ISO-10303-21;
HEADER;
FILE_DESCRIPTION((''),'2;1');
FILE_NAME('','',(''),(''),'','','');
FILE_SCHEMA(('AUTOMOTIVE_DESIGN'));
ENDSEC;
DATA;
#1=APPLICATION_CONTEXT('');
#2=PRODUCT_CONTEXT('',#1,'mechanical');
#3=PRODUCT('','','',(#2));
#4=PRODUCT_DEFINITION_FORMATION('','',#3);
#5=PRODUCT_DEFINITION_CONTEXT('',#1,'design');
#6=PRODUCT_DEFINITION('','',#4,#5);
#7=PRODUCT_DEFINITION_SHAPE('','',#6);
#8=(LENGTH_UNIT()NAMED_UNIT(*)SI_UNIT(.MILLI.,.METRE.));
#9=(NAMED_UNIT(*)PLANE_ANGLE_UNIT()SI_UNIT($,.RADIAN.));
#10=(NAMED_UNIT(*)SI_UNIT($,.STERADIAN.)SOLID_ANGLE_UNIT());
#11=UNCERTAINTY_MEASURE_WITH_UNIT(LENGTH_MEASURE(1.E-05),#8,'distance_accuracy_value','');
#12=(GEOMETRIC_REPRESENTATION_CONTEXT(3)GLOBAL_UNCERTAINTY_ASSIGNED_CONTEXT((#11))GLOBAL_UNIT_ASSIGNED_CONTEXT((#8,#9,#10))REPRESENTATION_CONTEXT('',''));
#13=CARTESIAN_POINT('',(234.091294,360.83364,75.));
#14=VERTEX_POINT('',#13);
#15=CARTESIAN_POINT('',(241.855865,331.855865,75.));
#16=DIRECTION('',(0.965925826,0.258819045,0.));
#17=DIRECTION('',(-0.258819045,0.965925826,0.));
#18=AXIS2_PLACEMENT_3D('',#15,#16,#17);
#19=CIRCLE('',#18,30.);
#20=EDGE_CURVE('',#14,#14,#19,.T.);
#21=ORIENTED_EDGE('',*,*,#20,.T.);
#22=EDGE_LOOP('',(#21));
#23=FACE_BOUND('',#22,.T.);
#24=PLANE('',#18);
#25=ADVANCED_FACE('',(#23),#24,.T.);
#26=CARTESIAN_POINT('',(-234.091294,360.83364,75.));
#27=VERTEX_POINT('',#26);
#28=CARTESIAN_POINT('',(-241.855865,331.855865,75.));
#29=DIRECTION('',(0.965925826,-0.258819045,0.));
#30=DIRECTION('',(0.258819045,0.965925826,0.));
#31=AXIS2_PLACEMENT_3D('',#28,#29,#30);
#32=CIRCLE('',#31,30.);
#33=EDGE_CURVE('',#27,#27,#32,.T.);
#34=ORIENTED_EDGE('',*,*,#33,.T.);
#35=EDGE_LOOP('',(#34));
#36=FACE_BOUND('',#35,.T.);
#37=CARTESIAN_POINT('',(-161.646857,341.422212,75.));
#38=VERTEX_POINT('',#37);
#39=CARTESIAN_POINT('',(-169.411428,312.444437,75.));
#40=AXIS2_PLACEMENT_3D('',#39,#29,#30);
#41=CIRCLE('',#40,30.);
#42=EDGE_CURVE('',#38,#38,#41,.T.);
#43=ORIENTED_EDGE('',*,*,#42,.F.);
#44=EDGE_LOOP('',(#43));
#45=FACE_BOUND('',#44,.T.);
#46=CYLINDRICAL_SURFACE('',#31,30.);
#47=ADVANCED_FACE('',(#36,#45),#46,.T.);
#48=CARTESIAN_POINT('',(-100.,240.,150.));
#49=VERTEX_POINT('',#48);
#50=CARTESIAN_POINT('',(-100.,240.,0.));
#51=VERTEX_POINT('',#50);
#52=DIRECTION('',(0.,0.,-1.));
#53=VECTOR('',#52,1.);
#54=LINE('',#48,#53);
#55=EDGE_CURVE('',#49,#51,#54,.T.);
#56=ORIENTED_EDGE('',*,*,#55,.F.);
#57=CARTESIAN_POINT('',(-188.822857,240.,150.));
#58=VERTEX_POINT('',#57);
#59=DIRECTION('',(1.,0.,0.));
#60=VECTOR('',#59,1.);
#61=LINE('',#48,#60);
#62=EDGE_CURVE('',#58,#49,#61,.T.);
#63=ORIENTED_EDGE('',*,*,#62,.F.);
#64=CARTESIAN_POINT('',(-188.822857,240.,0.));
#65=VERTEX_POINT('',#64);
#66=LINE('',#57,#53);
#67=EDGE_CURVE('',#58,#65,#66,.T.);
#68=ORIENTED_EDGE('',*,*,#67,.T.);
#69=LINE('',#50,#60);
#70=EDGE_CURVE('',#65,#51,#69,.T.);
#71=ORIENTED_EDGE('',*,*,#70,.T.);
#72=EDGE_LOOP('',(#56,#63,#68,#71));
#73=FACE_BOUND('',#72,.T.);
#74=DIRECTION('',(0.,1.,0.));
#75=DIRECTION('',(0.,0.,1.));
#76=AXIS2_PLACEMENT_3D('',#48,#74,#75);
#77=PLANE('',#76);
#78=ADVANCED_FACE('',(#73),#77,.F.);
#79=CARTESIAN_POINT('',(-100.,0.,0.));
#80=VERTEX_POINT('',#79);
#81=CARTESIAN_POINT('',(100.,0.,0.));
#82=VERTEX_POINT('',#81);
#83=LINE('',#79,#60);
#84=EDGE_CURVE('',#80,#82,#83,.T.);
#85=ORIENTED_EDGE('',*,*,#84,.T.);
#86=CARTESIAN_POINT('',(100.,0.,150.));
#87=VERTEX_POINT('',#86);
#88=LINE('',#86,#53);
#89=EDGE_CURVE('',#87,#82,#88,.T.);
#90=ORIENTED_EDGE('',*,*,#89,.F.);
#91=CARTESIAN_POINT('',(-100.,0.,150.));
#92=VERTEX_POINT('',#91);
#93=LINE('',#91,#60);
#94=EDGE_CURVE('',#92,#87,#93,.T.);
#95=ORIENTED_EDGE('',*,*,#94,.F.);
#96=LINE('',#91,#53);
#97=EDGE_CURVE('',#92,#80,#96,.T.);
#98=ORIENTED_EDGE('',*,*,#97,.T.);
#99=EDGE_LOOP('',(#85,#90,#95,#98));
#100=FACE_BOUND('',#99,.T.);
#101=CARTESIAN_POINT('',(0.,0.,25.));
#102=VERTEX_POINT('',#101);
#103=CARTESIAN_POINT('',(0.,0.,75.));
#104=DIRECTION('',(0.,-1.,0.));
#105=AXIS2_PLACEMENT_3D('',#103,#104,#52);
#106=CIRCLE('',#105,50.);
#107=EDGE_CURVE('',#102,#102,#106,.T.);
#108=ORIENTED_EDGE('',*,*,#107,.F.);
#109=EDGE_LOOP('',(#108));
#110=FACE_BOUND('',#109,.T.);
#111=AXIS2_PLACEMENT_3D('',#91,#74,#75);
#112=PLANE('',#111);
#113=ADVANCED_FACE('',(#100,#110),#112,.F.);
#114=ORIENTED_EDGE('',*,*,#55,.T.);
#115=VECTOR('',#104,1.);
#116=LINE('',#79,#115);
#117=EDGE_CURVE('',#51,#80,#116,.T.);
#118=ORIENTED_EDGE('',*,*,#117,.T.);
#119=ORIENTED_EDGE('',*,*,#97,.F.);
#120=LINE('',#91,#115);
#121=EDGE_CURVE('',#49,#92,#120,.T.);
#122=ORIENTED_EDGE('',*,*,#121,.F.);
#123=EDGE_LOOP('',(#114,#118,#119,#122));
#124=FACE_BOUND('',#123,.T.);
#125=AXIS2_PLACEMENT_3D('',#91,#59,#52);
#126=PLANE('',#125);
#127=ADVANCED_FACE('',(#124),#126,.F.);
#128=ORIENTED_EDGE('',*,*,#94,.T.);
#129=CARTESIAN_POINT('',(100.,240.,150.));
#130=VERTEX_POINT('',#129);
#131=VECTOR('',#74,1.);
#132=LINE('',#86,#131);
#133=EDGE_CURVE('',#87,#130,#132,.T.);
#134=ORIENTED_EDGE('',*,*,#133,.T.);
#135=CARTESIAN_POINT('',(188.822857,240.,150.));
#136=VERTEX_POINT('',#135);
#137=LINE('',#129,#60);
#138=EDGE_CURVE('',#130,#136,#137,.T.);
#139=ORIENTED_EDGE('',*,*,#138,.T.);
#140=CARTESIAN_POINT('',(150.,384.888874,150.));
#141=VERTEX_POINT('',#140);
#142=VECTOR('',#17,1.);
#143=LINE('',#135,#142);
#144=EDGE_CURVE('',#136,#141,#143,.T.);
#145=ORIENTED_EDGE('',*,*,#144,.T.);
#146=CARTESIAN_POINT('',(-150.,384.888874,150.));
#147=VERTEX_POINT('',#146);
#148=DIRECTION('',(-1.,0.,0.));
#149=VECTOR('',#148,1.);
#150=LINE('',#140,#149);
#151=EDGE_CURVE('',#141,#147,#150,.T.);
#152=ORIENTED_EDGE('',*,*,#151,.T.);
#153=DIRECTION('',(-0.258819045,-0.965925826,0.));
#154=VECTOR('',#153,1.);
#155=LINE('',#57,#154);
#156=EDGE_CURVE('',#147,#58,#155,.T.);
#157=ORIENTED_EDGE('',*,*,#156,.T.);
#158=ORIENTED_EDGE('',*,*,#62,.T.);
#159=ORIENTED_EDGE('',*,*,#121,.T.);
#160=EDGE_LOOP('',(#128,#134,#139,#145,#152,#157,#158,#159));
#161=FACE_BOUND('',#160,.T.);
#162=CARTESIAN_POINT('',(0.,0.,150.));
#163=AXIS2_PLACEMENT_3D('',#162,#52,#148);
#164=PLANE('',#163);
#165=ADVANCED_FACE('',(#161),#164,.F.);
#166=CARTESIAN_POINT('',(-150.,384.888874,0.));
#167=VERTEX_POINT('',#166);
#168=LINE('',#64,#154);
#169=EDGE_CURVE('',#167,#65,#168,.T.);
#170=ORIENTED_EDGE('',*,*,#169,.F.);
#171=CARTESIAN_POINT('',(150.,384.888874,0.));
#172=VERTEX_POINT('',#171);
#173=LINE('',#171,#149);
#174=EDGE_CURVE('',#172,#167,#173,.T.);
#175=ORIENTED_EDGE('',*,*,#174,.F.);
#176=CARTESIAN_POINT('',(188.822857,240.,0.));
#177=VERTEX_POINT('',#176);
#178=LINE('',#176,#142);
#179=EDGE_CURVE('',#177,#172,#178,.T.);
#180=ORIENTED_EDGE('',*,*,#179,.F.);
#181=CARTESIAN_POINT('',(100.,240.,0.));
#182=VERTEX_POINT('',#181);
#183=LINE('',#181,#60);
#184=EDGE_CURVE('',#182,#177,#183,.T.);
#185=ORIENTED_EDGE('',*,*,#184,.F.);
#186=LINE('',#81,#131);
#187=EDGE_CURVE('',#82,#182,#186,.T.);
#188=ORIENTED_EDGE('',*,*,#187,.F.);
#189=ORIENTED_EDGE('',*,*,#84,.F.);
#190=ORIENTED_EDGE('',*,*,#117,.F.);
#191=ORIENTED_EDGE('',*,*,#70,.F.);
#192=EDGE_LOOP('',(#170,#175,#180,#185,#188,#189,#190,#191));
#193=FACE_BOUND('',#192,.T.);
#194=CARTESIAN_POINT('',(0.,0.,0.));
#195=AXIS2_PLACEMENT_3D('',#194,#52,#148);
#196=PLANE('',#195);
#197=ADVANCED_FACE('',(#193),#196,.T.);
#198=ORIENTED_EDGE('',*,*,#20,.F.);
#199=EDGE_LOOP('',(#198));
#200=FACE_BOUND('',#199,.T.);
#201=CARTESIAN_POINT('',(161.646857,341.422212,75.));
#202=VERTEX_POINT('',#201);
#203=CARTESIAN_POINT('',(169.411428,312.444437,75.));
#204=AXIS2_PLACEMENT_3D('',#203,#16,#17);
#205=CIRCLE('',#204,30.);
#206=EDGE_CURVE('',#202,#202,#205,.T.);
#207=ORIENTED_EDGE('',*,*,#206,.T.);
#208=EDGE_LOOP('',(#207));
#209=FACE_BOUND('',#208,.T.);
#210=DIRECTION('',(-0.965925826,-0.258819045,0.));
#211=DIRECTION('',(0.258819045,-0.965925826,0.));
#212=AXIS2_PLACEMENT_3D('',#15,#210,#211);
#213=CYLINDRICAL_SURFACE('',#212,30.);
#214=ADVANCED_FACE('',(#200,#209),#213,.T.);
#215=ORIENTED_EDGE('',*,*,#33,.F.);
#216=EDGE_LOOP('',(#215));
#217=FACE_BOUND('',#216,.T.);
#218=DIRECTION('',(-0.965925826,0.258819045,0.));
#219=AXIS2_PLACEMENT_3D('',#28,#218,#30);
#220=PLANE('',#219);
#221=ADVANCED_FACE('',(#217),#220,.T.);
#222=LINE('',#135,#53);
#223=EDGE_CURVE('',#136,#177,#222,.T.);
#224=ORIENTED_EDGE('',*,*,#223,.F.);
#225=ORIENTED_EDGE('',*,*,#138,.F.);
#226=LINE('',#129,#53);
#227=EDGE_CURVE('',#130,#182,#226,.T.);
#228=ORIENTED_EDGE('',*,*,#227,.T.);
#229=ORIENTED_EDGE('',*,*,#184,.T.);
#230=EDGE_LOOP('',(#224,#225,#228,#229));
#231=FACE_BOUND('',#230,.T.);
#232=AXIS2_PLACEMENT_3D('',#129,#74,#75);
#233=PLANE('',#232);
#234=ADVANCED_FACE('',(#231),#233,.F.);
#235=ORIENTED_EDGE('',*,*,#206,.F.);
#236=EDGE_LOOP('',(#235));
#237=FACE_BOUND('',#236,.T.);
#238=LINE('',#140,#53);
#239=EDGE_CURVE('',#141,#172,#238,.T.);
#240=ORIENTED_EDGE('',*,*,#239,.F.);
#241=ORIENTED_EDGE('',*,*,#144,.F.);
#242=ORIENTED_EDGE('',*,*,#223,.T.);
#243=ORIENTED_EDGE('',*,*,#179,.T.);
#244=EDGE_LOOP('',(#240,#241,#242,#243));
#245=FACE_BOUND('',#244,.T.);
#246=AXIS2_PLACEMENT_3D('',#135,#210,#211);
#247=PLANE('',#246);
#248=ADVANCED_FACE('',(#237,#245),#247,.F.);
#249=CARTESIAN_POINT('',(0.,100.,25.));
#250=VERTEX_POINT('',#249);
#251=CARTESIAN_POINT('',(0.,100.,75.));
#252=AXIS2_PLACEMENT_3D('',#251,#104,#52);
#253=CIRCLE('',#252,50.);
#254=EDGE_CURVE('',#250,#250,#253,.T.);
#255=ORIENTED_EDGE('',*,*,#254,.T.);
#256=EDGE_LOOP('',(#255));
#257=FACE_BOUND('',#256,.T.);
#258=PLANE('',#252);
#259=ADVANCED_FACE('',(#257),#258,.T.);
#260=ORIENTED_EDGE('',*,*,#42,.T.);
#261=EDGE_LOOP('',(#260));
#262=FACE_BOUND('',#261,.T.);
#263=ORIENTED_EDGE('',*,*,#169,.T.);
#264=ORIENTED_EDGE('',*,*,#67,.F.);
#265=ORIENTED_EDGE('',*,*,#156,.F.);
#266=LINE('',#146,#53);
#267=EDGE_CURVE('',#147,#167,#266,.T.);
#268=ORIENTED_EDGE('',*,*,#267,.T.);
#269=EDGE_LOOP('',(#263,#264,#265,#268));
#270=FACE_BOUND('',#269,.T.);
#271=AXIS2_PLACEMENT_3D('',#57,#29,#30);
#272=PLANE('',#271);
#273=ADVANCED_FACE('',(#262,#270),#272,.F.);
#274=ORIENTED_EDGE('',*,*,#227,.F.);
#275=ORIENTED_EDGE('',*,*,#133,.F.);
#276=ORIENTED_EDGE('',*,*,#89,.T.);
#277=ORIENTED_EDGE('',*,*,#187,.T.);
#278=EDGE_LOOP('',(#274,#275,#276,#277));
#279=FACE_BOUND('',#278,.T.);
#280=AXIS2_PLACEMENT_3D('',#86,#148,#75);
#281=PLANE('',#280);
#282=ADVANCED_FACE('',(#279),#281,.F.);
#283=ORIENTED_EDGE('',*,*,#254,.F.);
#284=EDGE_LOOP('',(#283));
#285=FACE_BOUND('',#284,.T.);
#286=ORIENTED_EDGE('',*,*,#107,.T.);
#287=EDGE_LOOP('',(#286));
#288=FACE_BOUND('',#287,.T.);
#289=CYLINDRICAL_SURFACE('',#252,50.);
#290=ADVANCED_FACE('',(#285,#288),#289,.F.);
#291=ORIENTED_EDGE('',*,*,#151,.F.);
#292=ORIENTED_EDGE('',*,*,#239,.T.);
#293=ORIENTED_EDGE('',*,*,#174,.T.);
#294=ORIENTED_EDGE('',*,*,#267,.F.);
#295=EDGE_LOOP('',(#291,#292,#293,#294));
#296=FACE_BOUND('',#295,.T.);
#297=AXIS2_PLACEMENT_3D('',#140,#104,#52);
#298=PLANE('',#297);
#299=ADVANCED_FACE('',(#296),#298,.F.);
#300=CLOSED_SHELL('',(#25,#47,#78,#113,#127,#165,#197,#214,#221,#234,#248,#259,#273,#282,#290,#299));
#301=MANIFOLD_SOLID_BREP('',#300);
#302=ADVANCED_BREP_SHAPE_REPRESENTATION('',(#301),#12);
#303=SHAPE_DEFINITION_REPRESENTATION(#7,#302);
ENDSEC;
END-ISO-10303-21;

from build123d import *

# Parameters (mm, degrees)
EXTRUDE_1_DEPTH     = 150
SKETCH_3_R          = 30
EXTRUDE_2_DEPTH     = 75
SKETCH_4_R          = 50
CUT_EXTRUDE_1_DEPTH = 100


with BuildPart() as part:
    # 草图1 → 凸台-拉伸1 (new body)
    with BuildSketch(Plane.XY):
        Polygon((-100, 0), (100, 0), (100, 240), (188.822856765, 240), (150, 384.888873943), (-150, 384.888873943), (-188.822856765, 240), (-100, 240), align=None)
    extrude(amount=EXTRUDE_1_DEPTH)

    # 草图3 → 凸台-拉伸2 (add)
    with BuildSketch(Plane(origin=(236.17412377, 63.282665737, 0), x_dir=(0, 0, -1), z_dir=(0.9659258262890672, 0.2588190451025252, 0))):
        with Locations(Location((-75, 257.951246828, 0), (0, 0, 90))):
            Circle(SKETCH_3_R)
    extrude_2 = extrude(amount=EXTRUDE_2_DEPTH)

    # 镜向1: 凸台-拉伸2 across plane
    add(extrude_2.mirror(Plane.ZY))

    # 草图4 → 切除-拉伸1 (cut)
    with BuildSketch(Plane.XZ):
        with Locations(Location((0, 75, 0), (0, 0, 270))):
            Circle(SKETCH_4_R)
    extrude(amount=-CUT_EXTRUDE_1_DEPTH, mode=Mode.SUBTRACT)


solid = part.part
